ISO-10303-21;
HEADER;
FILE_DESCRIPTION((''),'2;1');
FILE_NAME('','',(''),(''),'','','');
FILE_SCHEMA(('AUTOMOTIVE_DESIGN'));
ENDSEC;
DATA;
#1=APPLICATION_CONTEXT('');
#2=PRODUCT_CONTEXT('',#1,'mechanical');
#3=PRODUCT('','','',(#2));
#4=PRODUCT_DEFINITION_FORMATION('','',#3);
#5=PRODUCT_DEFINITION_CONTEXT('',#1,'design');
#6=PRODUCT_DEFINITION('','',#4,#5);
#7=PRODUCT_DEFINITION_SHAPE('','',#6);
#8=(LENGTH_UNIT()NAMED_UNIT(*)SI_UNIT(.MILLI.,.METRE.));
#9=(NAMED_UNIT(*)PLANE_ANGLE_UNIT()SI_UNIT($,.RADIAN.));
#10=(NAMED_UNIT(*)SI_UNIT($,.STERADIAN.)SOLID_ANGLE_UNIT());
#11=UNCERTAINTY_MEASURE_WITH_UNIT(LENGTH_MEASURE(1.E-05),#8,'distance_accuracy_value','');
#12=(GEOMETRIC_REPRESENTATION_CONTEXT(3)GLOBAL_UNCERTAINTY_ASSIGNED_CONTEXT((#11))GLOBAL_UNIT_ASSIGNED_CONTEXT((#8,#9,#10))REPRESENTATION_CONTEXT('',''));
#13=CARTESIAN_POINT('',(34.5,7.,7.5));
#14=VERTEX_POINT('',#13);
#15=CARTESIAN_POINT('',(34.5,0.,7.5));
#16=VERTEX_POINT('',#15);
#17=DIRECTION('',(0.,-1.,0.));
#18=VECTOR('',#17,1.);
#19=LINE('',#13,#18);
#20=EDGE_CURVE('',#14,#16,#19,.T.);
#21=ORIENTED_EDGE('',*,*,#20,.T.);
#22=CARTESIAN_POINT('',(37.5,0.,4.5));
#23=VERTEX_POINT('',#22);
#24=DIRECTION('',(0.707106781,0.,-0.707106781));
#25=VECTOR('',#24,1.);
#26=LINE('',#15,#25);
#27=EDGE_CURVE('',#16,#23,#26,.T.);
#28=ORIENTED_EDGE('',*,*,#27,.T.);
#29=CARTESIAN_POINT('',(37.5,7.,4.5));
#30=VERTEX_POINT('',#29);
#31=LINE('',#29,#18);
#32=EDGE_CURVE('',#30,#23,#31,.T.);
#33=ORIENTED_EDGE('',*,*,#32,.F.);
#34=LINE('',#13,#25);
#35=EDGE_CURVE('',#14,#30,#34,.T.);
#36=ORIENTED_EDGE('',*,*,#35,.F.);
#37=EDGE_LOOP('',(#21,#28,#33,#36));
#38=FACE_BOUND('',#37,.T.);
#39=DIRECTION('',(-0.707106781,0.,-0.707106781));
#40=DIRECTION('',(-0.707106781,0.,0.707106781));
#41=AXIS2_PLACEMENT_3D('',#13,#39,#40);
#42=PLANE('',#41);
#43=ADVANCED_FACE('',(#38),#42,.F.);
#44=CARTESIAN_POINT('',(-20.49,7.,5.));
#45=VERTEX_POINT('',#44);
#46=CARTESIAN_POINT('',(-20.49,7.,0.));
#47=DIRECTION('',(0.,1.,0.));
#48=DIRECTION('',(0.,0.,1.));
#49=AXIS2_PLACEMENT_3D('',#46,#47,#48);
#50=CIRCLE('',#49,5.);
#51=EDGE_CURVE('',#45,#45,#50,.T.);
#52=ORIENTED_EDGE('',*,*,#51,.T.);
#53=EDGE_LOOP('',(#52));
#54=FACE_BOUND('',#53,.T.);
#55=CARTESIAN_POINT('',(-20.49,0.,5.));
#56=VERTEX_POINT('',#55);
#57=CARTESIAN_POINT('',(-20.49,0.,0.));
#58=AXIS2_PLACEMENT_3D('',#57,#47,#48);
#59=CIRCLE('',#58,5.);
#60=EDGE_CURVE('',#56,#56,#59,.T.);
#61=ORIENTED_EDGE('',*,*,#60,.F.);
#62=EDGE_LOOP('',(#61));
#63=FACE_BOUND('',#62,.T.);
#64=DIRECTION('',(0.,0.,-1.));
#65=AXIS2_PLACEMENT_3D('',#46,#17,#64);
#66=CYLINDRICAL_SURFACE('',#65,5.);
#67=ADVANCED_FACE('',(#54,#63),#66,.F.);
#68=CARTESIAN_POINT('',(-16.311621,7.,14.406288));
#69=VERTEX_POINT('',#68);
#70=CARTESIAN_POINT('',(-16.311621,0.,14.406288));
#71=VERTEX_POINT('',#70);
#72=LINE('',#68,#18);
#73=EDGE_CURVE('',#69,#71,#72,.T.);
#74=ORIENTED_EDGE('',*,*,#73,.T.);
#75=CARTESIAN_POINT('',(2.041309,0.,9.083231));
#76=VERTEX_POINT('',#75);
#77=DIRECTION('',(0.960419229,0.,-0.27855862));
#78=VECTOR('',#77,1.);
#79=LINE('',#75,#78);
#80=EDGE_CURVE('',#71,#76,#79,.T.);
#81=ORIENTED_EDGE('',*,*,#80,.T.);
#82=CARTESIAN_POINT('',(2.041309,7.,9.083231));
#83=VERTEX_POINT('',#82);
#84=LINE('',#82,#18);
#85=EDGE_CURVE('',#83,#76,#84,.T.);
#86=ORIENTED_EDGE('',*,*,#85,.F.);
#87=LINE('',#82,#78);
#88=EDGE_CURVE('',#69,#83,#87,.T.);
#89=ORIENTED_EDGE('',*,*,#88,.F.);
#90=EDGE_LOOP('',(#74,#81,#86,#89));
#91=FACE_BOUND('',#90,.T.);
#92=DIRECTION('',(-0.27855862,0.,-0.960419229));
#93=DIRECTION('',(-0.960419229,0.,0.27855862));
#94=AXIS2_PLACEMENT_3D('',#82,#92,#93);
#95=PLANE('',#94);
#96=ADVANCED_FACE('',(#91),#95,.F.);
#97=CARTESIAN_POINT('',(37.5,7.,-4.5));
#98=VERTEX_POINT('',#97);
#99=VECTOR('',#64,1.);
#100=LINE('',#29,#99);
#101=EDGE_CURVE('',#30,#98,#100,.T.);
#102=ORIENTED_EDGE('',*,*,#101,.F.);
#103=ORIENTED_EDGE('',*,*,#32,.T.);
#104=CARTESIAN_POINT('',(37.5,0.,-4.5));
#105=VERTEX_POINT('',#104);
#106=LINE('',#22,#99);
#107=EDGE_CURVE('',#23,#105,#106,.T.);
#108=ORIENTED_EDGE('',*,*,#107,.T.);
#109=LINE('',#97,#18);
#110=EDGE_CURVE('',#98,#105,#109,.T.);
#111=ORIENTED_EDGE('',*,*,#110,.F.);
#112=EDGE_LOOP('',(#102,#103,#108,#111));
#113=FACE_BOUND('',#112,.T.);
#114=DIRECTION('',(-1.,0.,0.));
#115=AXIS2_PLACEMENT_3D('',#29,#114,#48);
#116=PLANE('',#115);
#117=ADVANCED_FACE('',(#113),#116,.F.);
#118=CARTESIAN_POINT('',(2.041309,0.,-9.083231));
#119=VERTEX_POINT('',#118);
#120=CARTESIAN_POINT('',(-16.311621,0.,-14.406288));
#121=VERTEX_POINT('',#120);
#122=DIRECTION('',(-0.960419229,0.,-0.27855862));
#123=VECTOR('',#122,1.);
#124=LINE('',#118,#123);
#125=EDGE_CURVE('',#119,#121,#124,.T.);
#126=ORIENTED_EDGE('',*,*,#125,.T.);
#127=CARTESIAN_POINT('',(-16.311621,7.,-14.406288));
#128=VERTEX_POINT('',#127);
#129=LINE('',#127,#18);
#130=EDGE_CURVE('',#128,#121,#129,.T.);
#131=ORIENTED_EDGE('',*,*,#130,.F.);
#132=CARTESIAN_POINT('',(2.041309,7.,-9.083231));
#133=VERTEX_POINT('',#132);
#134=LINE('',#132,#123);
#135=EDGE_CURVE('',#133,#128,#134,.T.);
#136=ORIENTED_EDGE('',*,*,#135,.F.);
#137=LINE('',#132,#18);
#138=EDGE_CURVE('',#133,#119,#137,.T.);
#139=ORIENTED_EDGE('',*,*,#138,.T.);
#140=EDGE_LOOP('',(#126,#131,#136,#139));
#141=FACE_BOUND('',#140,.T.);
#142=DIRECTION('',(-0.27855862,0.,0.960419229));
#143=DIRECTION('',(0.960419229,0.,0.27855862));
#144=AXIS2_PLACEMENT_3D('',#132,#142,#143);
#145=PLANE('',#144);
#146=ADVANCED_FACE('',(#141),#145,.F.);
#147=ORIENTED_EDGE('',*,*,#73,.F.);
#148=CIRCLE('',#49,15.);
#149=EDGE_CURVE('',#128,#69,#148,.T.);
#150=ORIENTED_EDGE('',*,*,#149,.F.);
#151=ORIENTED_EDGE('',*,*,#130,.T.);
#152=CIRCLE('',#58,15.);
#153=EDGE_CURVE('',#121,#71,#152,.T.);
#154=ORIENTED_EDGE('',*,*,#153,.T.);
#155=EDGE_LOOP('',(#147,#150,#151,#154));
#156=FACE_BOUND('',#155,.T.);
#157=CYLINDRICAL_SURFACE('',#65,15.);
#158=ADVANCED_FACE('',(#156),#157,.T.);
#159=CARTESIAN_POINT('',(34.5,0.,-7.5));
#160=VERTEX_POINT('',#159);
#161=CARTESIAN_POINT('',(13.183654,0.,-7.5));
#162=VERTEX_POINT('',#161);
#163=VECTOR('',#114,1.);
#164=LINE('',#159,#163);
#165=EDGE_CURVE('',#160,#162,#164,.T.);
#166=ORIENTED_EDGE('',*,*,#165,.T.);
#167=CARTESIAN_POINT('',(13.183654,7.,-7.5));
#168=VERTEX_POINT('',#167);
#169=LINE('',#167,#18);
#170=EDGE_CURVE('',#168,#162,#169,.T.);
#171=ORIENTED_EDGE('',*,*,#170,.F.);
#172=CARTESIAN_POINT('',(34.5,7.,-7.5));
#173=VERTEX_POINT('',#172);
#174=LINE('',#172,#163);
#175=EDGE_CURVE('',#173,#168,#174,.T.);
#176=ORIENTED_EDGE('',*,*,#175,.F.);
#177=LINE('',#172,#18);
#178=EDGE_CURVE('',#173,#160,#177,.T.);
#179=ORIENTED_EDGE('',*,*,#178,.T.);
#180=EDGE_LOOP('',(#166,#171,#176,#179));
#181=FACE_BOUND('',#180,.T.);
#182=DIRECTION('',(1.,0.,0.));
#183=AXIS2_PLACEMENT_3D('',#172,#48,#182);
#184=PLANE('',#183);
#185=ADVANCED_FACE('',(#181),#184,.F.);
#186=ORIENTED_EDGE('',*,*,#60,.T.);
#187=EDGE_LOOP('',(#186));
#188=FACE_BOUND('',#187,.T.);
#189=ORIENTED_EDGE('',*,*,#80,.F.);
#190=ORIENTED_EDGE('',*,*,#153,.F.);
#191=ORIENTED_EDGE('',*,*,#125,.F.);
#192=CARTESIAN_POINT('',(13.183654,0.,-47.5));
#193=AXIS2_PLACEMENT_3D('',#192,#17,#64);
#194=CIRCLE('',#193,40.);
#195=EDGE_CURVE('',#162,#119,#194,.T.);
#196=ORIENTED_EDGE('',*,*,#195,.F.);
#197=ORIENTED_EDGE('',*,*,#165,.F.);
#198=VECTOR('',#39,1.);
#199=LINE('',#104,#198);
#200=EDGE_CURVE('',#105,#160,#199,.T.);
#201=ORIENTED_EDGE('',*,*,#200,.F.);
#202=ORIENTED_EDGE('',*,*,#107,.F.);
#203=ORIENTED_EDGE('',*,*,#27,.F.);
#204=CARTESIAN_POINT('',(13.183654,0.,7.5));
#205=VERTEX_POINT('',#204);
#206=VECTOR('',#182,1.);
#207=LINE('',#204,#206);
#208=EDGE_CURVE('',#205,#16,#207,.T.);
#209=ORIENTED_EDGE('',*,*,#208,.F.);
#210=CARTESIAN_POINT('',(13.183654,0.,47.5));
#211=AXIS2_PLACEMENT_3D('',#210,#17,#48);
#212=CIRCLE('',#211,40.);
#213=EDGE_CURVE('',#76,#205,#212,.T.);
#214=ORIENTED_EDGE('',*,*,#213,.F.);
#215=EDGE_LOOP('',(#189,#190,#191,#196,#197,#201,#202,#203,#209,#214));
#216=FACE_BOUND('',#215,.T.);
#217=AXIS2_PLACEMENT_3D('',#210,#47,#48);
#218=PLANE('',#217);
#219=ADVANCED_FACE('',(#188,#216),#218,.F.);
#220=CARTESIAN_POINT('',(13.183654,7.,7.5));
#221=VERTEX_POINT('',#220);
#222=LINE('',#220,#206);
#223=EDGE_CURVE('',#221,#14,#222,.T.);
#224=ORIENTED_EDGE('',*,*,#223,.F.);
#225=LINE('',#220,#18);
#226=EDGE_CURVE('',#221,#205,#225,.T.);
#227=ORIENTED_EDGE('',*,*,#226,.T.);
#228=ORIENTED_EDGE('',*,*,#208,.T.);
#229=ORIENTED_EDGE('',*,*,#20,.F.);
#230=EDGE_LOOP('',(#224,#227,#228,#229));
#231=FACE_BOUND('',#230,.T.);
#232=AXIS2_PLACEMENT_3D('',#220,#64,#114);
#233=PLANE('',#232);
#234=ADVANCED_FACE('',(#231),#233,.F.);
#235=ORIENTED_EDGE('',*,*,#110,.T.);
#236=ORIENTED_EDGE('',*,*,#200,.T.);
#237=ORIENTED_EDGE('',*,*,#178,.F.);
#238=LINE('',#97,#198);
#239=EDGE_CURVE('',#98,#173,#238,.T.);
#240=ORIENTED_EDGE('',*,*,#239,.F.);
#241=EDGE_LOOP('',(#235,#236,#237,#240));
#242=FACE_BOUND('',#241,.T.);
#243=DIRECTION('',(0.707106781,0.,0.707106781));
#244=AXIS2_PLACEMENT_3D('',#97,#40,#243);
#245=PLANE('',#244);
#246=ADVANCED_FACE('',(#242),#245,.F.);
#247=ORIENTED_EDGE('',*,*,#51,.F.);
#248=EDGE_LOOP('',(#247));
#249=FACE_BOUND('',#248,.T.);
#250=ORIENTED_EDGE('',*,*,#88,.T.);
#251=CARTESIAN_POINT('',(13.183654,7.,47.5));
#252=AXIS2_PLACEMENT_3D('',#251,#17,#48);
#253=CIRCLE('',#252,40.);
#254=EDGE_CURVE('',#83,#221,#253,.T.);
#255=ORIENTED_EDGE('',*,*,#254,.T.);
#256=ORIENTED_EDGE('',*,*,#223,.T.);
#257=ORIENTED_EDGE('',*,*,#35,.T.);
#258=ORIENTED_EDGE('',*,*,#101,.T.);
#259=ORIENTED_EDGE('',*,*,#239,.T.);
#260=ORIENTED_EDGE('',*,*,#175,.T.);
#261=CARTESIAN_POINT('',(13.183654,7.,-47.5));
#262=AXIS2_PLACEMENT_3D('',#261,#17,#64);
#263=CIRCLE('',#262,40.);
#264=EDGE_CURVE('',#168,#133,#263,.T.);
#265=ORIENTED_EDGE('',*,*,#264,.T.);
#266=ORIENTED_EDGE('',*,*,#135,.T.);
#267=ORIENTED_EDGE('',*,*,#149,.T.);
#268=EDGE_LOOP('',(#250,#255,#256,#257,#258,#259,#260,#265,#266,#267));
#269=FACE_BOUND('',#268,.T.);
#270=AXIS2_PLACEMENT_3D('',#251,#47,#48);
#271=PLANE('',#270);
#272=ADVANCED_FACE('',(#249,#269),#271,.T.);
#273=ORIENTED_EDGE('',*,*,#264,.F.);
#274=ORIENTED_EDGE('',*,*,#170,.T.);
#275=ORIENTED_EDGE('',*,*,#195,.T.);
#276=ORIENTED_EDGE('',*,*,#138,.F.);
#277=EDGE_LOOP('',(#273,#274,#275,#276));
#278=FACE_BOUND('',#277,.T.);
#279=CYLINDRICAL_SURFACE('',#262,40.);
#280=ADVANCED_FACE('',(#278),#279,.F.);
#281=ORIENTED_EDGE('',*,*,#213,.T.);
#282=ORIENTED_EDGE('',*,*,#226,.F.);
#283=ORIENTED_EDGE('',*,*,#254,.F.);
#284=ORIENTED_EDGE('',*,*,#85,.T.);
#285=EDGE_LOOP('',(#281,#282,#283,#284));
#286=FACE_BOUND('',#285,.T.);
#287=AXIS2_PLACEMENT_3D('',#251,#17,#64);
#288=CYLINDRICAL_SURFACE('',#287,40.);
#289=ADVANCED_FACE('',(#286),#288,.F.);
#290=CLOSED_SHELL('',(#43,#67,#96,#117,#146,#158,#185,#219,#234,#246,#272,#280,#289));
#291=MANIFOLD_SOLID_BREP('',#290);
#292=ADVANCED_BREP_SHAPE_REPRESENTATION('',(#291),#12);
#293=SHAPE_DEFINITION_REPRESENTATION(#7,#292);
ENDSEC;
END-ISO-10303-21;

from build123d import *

# Parameters (mm, degrees)
SKETCH1_R           = 5
BOSS_EXTRUDE1_DEPTH = 7


with BuildPart() as part:
    # Sketch1 → Boss-Extrude1 (new body)
    with BuildSketch(Plane(origin=(0, 0, 0), x_dir=(1, 0, 0), z_dir=(0, 1, 0))):
        with BuildLine():
            Line((37.5, -4.5), (37.5, 4.5))
            Line((37.5, 4.5), (34.5, 7.5))
            Line((34.5, 7.5), (13.183654114, 7.5))
            ThreePointArc((13.183654114, 7.5), (7.556521898, 7.89778563), (2.041309299, 9.083230849))
            Line((2.041309299, 9.083230849), (-16.311620694, 14.406288432))
            ThreePointArc((-16.311620694, 14.406288432), (-35.49, 0), (-16.311620694, -14.406288432))
            Line((-16.311620694, -14.406288432), (2.041309299, -9.083230849))
            ThreePointArc((2.041309299, -9.083230849), (7.556521898, -7.89778563), (13.183654114, -7.5))
            Line((13.183654114, -7.5), (34.5, -7.5))
            Line((34.5, -7.5), (37.5, -4.5))
        make_face()
        with Locations((-20.49, 0)):
            Circle(SKETCH1_R, mode=Mode.SUBTRACT)
    extrude(amount=BOSS_EXTRUDE1_DEPTH)


solid = part.part
